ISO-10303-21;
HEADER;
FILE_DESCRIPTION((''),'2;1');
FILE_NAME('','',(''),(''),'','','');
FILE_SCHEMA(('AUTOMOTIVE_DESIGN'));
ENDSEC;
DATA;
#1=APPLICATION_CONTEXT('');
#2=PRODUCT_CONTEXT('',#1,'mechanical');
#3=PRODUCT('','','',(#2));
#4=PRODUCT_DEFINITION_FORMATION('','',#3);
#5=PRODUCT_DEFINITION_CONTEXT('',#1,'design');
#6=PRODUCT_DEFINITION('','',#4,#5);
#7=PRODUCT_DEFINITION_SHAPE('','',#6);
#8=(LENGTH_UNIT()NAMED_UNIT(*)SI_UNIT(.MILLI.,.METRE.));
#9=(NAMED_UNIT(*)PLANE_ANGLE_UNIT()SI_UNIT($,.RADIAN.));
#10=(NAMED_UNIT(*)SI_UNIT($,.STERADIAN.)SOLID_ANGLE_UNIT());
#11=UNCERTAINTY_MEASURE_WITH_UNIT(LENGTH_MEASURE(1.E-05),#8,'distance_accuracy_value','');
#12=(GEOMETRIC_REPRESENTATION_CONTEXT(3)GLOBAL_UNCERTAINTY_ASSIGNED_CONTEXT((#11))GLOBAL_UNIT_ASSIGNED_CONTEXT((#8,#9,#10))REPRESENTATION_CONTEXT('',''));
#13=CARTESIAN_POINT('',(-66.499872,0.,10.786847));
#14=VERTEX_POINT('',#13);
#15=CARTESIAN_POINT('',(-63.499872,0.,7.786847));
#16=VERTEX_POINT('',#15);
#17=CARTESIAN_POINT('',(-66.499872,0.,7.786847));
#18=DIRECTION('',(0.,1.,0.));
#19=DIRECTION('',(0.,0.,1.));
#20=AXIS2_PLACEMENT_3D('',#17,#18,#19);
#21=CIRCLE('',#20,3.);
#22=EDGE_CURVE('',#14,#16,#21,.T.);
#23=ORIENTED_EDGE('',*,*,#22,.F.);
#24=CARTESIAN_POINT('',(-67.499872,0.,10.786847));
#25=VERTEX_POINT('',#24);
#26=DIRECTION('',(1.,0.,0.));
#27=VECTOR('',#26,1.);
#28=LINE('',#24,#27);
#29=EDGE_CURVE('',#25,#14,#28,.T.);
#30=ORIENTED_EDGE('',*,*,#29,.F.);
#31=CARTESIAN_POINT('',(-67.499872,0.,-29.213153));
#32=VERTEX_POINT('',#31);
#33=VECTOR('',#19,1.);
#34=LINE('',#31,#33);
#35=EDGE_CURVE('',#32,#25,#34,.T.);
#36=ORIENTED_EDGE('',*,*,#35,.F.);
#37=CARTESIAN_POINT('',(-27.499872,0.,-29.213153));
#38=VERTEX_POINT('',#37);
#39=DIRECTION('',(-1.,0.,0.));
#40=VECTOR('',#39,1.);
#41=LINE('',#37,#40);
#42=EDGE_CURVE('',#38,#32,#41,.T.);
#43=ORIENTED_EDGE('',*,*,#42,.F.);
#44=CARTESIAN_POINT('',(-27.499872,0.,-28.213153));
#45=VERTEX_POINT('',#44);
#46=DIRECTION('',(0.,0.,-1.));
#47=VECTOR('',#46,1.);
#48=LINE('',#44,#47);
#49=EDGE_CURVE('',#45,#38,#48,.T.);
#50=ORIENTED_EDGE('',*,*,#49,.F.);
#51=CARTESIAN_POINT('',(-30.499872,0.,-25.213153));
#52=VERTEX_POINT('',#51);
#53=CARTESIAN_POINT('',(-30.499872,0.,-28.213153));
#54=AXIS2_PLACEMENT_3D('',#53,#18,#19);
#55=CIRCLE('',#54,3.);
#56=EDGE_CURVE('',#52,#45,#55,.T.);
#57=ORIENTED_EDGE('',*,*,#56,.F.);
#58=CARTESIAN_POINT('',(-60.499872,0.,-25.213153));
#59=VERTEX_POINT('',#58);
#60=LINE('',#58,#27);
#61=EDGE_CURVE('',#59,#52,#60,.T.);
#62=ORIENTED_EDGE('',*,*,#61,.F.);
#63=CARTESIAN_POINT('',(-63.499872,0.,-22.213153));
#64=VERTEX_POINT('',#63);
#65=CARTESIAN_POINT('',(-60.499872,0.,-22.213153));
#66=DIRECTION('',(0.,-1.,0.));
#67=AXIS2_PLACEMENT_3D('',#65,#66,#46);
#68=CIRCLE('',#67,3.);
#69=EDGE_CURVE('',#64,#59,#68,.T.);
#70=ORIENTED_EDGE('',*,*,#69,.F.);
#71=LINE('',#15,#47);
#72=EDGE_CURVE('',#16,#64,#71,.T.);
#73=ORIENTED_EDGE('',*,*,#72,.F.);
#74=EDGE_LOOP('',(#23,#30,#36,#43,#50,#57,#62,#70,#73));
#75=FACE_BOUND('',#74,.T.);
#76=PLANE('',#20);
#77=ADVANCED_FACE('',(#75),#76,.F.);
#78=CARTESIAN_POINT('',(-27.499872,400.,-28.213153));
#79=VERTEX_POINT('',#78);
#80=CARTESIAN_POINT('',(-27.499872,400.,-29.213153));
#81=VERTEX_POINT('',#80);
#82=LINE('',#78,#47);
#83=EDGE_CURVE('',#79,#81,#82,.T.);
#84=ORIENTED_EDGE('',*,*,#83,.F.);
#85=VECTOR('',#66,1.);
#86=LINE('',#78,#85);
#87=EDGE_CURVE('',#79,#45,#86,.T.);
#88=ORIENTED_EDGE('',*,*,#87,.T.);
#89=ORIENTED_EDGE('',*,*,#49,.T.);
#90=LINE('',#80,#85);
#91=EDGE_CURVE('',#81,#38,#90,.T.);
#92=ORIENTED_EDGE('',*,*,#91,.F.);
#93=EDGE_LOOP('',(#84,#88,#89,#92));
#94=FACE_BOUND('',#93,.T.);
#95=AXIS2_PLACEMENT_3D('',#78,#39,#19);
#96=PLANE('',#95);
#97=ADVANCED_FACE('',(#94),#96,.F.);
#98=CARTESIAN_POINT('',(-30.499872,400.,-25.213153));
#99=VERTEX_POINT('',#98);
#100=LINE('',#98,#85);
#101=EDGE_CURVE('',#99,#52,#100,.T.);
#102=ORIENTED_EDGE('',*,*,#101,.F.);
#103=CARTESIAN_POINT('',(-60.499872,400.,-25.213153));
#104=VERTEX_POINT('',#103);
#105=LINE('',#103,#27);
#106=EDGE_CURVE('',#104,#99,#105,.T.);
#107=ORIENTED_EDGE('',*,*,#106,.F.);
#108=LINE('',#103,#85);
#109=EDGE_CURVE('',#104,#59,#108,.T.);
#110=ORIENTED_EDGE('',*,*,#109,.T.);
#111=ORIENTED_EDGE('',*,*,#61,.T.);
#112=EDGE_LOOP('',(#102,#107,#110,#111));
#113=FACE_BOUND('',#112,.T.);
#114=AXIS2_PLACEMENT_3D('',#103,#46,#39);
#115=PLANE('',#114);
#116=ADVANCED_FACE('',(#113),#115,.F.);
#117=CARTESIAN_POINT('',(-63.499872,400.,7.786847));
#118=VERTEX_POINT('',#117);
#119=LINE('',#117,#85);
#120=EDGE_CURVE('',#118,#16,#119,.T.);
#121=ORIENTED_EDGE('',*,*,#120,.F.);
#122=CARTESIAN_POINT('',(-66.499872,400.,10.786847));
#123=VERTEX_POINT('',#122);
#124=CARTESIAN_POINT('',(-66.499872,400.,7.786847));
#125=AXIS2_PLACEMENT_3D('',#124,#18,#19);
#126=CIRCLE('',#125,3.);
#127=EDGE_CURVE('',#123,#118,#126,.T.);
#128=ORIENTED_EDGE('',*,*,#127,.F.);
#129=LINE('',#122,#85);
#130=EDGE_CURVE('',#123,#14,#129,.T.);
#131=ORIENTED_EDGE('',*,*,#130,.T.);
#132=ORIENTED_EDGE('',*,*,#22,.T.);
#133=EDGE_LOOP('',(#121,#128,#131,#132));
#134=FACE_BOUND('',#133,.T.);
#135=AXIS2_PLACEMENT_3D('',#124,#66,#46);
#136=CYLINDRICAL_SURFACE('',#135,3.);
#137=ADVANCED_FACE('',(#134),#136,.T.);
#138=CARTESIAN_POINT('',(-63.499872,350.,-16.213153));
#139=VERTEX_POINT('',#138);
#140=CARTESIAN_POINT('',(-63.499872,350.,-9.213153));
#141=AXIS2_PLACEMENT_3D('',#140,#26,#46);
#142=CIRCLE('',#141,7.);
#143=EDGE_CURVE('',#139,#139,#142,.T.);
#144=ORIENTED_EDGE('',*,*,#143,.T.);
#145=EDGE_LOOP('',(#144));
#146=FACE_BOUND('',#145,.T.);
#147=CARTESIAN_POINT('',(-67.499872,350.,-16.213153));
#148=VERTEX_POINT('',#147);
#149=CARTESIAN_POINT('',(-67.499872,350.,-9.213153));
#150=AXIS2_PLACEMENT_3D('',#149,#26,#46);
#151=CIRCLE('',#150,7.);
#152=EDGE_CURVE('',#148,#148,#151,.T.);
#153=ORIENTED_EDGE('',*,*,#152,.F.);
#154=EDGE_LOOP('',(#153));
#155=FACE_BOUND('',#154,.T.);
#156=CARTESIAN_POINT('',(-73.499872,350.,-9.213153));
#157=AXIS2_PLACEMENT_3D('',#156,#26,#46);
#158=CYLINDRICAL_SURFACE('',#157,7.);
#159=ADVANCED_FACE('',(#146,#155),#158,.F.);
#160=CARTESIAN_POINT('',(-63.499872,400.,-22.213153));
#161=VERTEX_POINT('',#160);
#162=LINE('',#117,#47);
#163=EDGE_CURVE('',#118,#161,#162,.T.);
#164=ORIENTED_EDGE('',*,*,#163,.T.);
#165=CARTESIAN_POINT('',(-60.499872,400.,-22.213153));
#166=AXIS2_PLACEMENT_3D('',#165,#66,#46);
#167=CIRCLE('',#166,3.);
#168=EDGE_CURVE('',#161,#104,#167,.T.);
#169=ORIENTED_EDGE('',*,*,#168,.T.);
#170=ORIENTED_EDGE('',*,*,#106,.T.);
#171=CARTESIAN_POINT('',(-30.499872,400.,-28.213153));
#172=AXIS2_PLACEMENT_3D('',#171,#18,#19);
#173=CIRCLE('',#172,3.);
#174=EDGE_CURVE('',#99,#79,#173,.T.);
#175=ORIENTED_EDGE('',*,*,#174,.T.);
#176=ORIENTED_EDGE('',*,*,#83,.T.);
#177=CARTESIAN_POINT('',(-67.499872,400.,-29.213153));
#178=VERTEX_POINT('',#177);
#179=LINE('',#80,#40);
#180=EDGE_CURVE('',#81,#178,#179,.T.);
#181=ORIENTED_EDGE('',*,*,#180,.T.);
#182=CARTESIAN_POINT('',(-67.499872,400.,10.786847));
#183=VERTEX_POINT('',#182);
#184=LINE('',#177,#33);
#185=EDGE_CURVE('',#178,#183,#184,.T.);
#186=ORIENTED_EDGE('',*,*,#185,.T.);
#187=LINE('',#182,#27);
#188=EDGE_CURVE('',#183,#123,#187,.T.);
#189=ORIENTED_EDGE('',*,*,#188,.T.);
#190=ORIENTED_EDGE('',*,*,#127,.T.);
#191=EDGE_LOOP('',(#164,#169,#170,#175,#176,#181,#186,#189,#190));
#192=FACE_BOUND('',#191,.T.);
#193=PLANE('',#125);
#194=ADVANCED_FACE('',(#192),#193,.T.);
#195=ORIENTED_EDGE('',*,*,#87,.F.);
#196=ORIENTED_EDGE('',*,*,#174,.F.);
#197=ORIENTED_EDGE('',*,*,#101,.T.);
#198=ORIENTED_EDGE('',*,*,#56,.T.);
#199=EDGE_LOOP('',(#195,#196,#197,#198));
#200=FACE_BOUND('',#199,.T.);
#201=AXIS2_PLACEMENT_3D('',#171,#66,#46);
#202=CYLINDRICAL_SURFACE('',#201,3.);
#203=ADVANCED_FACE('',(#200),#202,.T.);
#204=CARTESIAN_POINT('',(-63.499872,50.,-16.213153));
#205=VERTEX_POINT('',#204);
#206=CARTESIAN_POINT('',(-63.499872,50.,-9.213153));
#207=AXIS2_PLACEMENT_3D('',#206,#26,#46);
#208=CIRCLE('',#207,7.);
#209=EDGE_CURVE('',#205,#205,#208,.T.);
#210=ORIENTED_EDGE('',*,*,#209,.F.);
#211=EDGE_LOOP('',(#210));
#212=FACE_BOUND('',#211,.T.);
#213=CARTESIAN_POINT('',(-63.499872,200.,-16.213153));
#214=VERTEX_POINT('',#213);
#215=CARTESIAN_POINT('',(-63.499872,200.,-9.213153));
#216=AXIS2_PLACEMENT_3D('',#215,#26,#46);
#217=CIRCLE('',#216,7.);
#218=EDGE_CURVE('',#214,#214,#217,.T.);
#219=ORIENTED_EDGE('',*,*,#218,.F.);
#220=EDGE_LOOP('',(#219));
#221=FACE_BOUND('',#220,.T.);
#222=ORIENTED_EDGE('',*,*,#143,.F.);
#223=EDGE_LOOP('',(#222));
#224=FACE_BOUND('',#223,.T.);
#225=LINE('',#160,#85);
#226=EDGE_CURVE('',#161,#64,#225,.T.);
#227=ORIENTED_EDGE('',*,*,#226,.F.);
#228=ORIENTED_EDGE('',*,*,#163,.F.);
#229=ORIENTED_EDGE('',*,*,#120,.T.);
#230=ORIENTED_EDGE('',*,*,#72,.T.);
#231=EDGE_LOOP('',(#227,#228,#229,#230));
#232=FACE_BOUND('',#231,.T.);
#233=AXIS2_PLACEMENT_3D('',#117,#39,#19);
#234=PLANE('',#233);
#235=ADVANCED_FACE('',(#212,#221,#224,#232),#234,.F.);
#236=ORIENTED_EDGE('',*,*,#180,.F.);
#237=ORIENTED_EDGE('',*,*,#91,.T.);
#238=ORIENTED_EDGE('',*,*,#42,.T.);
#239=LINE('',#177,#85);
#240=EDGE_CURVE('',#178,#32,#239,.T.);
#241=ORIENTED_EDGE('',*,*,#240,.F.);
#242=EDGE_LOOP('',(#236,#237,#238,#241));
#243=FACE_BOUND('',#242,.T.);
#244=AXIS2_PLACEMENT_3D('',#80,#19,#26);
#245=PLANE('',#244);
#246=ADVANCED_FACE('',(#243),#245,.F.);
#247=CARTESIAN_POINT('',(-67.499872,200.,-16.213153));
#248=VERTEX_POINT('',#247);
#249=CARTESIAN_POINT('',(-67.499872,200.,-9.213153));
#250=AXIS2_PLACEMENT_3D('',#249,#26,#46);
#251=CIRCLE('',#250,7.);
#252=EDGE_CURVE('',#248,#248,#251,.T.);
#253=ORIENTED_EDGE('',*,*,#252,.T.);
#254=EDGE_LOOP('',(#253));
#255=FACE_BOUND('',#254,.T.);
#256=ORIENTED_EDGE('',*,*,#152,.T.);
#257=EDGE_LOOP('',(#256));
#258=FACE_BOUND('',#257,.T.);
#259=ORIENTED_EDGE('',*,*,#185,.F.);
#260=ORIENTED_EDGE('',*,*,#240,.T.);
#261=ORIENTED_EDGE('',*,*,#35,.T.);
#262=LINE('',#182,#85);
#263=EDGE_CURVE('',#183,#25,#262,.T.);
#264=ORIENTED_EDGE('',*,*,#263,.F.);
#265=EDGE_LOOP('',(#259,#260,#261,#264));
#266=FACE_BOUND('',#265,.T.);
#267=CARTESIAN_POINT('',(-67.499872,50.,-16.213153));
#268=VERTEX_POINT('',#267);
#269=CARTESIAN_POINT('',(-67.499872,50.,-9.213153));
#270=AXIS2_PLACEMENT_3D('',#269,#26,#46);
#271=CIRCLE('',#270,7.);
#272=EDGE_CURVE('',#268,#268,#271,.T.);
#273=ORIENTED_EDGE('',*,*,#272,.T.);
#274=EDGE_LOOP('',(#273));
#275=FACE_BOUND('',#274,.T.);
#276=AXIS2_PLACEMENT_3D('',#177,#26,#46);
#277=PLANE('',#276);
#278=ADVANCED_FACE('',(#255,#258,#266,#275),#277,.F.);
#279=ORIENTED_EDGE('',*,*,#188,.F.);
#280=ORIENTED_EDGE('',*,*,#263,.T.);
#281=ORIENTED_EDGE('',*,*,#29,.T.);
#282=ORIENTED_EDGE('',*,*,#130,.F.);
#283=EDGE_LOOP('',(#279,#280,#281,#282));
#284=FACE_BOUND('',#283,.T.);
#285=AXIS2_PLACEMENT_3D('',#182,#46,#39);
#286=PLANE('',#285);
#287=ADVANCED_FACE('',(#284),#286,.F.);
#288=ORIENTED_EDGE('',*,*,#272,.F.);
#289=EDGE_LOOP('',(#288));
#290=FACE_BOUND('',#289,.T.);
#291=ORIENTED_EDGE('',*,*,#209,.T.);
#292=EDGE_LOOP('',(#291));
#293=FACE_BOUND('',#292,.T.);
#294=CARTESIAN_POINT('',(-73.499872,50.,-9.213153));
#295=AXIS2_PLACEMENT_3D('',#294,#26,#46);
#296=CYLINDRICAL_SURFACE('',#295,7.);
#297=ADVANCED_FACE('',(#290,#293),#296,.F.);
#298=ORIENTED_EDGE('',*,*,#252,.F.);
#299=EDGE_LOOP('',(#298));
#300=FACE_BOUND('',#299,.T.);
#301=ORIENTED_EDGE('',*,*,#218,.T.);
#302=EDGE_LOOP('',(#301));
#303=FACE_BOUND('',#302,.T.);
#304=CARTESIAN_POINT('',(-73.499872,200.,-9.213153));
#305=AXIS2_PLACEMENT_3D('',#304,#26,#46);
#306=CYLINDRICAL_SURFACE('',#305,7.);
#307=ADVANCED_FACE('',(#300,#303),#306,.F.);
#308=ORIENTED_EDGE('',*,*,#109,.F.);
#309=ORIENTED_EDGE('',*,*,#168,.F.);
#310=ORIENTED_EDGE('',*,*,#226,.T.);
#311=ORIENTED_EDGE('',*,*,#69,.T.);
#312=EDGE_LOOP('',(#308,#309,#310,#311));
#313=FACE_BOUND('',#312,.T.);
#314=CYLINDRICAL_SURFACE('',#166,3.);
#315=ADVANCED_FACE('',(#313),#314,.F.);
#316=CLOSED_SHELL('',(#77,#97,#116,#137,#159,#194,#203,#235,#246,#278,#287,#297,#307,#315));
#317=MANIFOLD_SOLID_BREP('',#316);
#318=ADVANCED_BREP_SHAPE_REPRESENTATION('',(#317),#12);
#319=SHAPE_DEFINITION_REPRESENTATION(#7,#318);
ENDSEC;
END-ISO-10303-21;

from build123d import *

# Parameters (mm, degrees)
BOSS_EXTRUDE1_DEPTH = 400
SKETCH2_R           = 7
CUT_EXTRUDE1_DEPTH  = 10


with BuildPart() as part:
    # Sketch1 → Boss-Extrude1 (new body)
    with BuildSketch(Plane(origin=(0, 0, 0), x_dir=(1, 0, 0), z_dir=(0, 1, 0))):
        with BuildLine():
            Line((-27.499872145, 29.213153277), (-67.499872145, 29.213153277))
            Line((-67.499872145, 29.213153277), (-67.499872145, -10.786846723))
            Line((-67.499872145, -10.786846723), (-66.499872145, -10.786846723))
            ThreePointArc((-66.499872145, -10.786846723), (-64.378551801, -9.908167067), (-63.499872145, -7.786846723))
            Line((-63.499872145, -7.786846723), (-63.499872145, 22.213153277))
            ThreePointArc((-63.499872145, 22.213153277), (-62.621192489, 24.334473621), (-60.499872145, 25.213153277))
            Line((-60.499872145, 25.213153277), (-30.499872145, 25.213153277))
            ThreePointArc((-30.499872145, 25.213153277), (-28.378551801, 26.091832933), (-27.499872145, 28.213153277))
            Line((-27.499872145, 28.213153277), (-27.499872145, 29.213153277))
        make_face()
    extrude(amount=BOSS_EXTRUDE1_DEPTH)

    # Sketch2 → Cut-Extrude1 (cut)
    with BuildSketch(Plane(origin=(-63.499872145, 0, 0), x_dir=(0, 0, -1), z_dir=(1, 0, 0))):
        with Locations((9.213153277, 200)):
            Circle(SKETCH2_R)
        with Locations((9.213153277, 50)):
            Circle(SKETCH2_R)
        with Locations((9.213153277, 350)):
            Circle(SKETCH2_R)
    extrude(amount=-CUT_EXTRUDE1_DEPTH, mode=Mode.SUBTRACT)


solid = part.part
